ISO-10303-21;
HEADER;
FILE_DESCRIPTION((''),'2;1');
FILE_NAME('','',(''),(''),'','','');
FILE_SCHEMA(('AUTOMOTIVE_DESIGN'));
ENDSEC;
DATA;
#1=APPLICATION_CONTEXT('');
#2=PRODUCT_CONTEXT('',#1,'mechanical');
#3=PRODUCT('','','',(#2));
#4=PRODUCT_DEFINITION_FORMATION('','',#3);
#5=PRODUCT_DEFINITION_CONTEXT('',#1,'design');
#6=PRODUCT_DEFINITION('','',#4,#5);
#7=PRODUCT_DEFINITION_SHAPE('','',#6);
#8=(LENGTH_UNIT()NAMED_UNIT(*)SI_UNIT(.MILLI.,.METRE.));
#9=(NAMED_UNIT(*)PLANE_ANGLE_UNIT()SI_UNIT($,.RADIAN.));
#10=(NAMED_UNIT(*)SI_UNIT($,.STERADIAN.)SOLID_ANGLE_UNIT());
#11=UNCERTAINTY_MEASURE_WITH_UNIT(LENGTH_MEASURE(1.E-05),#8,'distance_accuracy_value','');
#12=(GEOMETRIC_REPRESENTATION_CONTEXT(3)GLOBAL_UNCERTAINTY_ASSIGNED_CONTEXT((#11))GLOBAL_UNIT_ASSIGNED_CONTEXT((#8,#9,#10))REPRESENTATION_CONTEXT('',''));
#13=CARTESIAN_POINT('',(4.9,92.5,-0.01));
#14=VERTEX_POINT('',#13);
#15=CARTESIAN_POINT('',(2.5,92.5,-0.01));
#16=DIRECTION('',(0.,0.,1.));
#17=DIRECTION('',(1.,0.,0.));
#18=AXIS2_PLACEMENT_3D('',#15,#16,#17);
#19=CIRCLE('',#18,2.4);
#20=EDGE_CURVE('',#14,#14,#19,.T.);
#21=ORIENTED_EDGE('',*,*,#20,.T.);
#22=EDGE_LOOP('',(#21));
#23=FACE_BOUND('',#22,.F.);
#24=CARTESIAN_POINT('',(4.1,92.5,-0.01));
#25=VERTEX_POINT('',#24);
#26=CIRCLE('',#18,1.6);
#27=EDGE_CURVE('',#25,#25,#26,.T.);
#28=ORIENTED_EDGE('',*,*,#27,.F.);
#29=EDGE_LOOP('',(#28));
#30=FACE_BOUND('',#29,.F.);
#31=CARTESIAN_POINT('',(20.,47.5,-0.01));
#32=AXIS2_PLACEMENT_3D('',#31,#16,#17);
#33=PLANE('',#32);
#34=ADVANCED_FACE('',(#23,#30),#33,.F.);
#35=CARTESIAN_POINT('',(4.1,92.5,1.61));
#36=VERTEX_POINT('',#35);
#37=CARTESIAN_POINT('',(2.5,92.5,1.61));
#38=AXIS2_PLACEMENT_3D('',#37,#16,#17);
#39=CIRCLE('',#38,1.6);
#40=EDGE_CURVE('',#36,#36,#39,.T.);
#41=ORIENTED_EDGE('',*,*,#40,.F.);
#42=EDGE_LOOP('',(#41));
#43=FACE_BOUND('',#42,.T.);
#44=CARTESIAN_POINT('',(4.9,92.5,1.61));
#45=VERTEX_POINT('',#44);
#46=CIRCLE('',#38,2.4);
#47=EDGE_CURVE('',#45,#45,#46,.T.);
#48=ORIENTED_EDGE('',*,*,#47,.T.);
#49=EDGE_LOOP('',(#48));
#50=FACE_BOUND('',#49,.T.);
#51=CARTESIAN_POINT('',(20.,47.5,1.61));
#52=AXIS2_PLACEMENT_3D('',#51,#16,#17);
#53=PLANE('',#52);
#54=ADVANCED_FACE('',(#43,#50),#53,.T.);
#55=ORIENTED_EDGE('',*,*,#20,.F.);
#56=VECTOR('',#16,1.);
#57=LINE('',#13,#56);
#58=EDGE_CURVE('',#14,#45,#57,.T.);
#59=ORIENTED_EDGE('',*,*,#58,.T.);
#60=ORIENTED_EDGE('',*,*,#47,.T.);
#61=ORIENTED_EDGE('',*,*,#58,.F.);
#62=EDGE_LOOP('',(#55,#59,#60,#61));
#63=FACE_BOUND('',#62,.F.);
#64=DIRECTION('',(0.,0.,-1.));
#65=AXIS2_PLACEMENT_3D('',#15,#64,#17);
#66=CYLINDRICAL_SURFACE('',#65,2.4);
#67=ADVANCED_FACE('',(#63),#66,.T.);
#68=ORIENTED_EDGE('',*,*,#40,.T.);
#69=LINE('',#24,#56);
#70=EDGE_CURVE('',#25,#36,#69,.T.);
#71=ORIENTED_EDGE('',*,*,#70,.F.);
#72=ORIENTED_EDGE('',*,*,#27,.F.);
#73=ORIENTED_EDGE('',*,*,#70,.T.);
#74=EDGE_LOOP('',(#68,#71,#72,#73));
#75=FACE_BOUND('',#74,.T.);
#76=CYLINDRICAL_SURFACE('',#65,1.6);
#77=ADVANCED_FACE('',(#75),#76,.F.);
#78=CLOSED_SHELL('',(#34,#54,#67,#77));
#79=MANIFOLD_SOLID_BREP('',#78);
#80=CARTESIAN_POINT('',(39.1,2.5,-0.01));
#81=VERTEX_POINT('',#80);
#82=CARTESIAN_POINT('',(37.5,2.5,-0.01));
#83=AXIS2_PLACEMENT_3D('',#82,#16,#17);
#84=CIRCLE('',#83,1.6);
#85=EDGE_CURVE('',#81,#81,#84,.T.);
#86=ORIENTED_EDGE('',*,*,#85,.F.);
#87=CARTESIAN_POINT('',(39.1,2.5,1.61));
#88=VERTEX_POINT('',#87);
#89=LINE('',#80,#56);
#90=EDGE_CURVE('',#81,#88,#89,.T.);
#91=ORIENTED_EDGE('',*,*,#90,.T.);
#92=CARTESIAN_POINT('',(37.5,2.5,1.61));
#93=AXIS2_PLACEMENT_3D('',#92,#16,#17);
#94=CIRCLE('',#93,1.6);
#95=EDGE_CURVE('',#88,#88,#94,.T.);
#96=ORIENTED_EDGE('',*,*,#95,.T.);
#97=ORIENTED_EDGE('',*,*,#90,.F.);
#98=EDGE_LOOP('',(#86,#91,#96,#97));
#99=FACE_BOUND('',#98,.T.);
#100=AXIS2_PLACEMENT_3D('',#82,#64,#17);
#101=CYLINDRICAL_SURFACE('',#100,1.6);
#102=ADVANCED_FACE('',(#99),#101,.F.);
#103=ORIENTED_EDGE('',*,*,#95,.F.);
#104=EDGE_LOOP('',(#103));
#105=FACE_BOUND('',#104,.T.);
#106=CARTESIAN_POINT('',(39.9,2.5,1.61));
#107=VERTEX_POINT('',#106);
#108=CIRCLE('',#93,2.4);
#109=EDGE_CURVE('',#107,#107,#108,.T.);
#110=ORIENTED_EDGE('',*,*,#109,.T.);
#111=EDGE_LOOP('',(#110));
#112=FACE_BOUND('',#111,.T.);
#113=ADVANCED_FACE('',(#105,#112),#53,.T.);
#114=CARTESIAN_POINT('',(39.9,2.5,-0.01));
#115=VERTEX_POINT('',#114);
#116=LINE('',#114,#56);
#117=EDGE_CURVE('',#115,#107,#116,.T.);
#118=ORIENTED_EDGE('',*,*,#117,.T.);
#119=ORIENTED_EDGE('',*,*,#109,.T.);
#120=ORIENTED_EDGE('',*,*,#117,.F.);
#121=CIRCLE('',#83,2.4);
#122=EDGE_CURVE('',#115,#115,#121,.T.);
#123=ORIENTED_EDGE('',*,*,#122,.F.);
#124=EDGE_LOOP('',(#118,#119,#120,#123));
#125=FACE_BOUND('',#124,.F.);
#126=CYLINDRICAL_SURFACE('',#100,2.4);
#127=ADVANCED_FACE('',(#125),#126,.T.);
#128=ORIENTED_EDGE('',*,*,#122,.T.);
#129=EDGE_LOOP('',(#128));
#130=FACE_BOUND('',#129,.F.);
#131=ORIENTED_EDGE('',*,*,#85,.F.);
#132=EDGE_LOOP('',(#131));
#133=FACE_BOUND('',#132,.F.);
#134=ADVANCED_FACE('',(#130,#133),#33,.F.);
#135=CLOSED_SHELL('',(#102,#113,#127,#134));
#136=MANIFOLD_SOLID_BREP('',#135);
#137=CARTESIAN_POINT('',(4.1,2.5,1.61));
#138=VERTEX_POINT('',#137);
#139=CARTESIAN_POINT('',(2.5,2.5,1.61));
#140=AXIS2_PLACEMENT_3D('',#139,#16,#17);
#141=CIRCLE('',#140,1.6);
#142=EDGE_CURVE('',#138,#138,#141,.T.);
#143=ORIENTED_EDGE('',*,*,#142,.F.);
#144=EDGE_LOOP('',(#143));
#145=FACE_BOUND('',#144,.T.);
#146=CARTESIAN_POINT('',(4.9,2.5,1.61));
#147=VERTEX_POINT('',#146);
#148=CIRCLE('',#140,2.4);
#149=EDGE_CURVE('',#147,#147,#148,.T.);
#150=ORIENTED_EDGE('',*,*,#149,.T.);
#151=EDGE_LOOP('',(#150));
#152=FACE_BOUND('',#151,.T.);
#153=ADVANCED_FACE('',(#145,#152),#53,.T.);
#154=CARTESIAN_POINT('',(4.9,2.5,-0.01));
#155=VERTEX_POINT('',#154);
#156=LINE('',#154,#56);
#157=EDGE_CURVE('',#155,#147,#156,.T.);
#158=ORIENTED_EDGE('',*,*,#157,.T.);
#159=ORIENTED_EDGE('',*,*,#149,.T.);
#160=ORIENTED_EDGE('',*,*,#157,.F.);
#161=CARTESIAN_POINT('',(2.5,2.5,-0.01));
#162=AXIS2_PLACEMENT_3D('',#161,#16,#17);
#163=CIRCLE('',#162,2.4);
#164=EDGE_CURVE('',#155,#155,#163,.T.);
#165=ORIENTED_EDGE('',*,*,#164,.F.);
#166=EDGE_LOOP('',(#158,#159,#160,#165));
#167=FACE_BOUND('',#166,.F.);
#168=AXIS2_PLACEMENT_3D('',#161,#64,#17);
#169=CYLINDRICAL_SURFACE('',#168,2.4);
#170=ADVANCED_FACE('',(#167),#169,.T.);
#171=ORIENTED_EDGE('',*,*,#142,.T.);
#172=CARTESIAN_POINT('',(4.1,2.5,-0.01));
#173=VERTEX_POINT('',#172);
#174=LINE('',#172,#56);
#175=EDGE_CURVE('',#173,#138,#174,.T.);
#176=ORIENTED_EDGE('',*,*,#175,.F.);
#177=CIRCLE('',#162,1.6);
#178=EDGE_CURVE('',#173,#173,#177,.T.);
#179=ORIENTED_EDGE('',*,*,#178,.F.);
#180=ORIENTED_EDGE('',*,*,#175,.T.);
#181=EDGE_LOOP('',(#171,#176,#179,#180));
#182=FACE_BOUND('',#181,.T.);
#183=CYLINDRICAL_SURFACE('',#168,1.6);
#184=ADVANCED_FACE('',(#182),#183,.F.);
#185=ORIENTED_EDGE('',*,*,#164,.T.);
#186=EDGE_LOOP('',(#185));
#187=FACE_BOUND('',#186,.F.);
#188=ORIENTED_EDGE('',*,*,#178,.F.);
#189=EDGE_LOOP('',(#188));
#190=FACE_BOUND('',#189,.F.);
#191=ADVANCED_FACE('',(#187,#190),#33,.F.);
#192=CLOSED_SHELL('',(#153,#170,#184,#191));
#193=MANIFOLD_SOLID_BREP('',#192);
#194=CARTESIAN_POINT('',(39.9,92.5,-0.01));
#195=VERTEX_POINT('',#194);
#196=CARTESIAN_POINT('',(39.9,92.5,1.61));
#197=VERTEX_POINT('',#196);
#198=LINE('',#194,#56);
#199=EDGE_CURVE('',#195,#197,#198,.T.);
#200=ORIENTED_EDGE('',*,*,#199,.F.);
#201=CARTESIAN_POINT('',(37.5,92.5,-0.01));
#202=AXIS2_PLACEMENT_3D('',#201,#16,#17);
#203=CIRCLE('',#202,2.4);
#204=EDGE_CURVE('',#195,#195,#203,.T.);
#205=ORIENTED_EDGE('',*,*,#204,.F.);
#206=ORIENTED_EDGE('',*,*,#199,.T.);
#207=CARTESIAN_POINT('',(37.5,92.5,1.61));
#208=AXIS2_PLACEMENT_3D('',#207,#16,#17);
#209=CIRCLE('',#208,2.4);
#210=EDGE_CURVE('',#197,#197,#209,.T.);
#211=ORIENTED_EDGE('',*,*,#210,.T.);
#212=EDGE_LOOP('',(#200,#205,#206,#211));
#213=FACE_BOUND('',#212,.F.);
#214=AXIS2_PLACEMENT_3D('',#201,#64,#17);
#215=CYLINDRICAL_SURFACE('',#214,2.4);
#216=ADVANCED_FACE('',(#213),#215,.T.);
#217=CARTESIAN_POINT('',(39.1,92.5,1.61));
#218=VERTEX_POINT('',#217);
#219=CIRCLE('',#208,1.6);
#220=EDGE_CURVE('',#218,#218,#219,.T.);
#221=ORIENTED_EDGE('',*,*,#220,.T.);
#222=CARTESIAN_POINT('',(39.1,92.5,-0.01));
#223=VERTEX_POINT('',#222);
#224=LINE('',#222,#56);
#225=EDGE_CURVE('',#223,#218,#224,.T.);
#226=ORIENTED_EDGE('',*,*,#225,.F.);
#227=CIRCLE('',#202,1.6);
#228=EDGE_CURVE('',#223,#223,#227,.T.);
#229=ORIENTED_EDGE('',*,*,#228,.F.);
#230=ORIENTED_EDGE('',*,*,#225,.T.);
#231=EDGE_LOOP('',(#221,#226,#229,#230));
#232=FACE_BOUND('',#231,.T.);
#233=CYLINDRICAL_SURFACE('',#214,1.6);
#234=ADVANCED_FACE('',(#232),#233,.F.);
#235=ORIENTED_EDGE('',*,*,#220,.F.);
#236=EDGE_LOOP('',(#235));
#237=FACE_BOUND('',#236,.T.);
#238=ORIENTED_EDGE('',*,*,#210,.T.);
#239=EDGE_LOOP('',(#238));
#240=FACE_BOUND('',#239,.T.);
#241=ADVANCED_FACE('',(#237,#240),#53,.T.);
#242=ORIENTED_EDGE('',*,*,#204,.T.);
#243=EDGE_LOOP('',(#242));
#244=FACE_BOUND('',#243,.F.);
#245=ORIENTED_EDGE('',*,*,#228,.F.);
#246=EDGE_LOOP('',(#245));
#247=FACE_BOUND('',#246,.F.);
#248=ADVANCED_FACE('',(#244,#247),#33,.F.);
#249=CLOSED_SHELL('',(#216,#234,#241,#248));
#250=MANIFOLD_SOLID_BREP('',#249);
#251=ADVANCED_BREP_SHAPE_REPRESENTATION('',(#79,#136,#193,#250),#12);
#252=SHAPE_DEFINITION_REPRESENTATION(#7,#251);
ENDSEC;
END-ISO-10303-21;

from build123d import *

# Parameters (mm, degrees)
SKETCH001002047_W = 41
SKETCH001002047_H = 96
SKETCH001002047_R = 2.4
PAD034_DEPTH      = 1.62
SKETCH001002045_W = 41
SKETCH001002045_H = 96
SKETCH001002045_R = 1.6
PAD032_DEPTH      = 1.62


with BuildPart() as body027:
    # Sketch001002047 → Pad034 (new body)
    with BuildSketch(Plane.XY.offset(-0.01)):
        with Locations((20, 47.5)):
            Rectangle(SKETCH001002047_W, SKETCH001002047_H)
        with Locations((2.5, 2.5)):
            Circle(SKETCH001002047_R, mode=Mode.SUBTRACT)
        with Locations((37.5, 2.5)):
            Circle(SKETCH001002047_R, mode=Mode.SUBTRACT)
        with Locations((37.5, 92.5)):
            Circle(SKETCH001002047_R, mode=Mode.SUBTRACT)
        with Locations((2.5, 92.5)):
            Circle(SKETCH001002047_R, mode=Mode.SUBTRACT)
    extrude(amount=PAD034_DEPTH)


with BuildPart() as cut010:
    # Sketch001002045 → Pad032 (new body)
    with BuildSketch(Plane.XY.offset(-0.01)):
        with Locations((20, 47.5)):
            Rectangle(SKETCH001002045_W, SKETCH001002045_H)
        with Locations((2.5, 2.5)):
            Circle(SKETCH001002045_R, mode=Mode.SUBTRACT)
        with Locations((37.5, 2.5)):
            Circle(SKETCH001002045_R, mode=Mode.SUBTRACT)
        with Locations((37.5, 92.5)):
            Circle(SKETCH001002045_R, mode=Mode.SUBTRACT)
        with Locations((2.5, 92.5)):
            Circle(SKETCH001002045_R, mode=Mode.SUBTRACT)
    extrude(amount=PAD032_DEPTH)

    # Cut001: cut Body027
    add(body027.part, mode=Mode.SUBTRACT)


solid = cut010.part
